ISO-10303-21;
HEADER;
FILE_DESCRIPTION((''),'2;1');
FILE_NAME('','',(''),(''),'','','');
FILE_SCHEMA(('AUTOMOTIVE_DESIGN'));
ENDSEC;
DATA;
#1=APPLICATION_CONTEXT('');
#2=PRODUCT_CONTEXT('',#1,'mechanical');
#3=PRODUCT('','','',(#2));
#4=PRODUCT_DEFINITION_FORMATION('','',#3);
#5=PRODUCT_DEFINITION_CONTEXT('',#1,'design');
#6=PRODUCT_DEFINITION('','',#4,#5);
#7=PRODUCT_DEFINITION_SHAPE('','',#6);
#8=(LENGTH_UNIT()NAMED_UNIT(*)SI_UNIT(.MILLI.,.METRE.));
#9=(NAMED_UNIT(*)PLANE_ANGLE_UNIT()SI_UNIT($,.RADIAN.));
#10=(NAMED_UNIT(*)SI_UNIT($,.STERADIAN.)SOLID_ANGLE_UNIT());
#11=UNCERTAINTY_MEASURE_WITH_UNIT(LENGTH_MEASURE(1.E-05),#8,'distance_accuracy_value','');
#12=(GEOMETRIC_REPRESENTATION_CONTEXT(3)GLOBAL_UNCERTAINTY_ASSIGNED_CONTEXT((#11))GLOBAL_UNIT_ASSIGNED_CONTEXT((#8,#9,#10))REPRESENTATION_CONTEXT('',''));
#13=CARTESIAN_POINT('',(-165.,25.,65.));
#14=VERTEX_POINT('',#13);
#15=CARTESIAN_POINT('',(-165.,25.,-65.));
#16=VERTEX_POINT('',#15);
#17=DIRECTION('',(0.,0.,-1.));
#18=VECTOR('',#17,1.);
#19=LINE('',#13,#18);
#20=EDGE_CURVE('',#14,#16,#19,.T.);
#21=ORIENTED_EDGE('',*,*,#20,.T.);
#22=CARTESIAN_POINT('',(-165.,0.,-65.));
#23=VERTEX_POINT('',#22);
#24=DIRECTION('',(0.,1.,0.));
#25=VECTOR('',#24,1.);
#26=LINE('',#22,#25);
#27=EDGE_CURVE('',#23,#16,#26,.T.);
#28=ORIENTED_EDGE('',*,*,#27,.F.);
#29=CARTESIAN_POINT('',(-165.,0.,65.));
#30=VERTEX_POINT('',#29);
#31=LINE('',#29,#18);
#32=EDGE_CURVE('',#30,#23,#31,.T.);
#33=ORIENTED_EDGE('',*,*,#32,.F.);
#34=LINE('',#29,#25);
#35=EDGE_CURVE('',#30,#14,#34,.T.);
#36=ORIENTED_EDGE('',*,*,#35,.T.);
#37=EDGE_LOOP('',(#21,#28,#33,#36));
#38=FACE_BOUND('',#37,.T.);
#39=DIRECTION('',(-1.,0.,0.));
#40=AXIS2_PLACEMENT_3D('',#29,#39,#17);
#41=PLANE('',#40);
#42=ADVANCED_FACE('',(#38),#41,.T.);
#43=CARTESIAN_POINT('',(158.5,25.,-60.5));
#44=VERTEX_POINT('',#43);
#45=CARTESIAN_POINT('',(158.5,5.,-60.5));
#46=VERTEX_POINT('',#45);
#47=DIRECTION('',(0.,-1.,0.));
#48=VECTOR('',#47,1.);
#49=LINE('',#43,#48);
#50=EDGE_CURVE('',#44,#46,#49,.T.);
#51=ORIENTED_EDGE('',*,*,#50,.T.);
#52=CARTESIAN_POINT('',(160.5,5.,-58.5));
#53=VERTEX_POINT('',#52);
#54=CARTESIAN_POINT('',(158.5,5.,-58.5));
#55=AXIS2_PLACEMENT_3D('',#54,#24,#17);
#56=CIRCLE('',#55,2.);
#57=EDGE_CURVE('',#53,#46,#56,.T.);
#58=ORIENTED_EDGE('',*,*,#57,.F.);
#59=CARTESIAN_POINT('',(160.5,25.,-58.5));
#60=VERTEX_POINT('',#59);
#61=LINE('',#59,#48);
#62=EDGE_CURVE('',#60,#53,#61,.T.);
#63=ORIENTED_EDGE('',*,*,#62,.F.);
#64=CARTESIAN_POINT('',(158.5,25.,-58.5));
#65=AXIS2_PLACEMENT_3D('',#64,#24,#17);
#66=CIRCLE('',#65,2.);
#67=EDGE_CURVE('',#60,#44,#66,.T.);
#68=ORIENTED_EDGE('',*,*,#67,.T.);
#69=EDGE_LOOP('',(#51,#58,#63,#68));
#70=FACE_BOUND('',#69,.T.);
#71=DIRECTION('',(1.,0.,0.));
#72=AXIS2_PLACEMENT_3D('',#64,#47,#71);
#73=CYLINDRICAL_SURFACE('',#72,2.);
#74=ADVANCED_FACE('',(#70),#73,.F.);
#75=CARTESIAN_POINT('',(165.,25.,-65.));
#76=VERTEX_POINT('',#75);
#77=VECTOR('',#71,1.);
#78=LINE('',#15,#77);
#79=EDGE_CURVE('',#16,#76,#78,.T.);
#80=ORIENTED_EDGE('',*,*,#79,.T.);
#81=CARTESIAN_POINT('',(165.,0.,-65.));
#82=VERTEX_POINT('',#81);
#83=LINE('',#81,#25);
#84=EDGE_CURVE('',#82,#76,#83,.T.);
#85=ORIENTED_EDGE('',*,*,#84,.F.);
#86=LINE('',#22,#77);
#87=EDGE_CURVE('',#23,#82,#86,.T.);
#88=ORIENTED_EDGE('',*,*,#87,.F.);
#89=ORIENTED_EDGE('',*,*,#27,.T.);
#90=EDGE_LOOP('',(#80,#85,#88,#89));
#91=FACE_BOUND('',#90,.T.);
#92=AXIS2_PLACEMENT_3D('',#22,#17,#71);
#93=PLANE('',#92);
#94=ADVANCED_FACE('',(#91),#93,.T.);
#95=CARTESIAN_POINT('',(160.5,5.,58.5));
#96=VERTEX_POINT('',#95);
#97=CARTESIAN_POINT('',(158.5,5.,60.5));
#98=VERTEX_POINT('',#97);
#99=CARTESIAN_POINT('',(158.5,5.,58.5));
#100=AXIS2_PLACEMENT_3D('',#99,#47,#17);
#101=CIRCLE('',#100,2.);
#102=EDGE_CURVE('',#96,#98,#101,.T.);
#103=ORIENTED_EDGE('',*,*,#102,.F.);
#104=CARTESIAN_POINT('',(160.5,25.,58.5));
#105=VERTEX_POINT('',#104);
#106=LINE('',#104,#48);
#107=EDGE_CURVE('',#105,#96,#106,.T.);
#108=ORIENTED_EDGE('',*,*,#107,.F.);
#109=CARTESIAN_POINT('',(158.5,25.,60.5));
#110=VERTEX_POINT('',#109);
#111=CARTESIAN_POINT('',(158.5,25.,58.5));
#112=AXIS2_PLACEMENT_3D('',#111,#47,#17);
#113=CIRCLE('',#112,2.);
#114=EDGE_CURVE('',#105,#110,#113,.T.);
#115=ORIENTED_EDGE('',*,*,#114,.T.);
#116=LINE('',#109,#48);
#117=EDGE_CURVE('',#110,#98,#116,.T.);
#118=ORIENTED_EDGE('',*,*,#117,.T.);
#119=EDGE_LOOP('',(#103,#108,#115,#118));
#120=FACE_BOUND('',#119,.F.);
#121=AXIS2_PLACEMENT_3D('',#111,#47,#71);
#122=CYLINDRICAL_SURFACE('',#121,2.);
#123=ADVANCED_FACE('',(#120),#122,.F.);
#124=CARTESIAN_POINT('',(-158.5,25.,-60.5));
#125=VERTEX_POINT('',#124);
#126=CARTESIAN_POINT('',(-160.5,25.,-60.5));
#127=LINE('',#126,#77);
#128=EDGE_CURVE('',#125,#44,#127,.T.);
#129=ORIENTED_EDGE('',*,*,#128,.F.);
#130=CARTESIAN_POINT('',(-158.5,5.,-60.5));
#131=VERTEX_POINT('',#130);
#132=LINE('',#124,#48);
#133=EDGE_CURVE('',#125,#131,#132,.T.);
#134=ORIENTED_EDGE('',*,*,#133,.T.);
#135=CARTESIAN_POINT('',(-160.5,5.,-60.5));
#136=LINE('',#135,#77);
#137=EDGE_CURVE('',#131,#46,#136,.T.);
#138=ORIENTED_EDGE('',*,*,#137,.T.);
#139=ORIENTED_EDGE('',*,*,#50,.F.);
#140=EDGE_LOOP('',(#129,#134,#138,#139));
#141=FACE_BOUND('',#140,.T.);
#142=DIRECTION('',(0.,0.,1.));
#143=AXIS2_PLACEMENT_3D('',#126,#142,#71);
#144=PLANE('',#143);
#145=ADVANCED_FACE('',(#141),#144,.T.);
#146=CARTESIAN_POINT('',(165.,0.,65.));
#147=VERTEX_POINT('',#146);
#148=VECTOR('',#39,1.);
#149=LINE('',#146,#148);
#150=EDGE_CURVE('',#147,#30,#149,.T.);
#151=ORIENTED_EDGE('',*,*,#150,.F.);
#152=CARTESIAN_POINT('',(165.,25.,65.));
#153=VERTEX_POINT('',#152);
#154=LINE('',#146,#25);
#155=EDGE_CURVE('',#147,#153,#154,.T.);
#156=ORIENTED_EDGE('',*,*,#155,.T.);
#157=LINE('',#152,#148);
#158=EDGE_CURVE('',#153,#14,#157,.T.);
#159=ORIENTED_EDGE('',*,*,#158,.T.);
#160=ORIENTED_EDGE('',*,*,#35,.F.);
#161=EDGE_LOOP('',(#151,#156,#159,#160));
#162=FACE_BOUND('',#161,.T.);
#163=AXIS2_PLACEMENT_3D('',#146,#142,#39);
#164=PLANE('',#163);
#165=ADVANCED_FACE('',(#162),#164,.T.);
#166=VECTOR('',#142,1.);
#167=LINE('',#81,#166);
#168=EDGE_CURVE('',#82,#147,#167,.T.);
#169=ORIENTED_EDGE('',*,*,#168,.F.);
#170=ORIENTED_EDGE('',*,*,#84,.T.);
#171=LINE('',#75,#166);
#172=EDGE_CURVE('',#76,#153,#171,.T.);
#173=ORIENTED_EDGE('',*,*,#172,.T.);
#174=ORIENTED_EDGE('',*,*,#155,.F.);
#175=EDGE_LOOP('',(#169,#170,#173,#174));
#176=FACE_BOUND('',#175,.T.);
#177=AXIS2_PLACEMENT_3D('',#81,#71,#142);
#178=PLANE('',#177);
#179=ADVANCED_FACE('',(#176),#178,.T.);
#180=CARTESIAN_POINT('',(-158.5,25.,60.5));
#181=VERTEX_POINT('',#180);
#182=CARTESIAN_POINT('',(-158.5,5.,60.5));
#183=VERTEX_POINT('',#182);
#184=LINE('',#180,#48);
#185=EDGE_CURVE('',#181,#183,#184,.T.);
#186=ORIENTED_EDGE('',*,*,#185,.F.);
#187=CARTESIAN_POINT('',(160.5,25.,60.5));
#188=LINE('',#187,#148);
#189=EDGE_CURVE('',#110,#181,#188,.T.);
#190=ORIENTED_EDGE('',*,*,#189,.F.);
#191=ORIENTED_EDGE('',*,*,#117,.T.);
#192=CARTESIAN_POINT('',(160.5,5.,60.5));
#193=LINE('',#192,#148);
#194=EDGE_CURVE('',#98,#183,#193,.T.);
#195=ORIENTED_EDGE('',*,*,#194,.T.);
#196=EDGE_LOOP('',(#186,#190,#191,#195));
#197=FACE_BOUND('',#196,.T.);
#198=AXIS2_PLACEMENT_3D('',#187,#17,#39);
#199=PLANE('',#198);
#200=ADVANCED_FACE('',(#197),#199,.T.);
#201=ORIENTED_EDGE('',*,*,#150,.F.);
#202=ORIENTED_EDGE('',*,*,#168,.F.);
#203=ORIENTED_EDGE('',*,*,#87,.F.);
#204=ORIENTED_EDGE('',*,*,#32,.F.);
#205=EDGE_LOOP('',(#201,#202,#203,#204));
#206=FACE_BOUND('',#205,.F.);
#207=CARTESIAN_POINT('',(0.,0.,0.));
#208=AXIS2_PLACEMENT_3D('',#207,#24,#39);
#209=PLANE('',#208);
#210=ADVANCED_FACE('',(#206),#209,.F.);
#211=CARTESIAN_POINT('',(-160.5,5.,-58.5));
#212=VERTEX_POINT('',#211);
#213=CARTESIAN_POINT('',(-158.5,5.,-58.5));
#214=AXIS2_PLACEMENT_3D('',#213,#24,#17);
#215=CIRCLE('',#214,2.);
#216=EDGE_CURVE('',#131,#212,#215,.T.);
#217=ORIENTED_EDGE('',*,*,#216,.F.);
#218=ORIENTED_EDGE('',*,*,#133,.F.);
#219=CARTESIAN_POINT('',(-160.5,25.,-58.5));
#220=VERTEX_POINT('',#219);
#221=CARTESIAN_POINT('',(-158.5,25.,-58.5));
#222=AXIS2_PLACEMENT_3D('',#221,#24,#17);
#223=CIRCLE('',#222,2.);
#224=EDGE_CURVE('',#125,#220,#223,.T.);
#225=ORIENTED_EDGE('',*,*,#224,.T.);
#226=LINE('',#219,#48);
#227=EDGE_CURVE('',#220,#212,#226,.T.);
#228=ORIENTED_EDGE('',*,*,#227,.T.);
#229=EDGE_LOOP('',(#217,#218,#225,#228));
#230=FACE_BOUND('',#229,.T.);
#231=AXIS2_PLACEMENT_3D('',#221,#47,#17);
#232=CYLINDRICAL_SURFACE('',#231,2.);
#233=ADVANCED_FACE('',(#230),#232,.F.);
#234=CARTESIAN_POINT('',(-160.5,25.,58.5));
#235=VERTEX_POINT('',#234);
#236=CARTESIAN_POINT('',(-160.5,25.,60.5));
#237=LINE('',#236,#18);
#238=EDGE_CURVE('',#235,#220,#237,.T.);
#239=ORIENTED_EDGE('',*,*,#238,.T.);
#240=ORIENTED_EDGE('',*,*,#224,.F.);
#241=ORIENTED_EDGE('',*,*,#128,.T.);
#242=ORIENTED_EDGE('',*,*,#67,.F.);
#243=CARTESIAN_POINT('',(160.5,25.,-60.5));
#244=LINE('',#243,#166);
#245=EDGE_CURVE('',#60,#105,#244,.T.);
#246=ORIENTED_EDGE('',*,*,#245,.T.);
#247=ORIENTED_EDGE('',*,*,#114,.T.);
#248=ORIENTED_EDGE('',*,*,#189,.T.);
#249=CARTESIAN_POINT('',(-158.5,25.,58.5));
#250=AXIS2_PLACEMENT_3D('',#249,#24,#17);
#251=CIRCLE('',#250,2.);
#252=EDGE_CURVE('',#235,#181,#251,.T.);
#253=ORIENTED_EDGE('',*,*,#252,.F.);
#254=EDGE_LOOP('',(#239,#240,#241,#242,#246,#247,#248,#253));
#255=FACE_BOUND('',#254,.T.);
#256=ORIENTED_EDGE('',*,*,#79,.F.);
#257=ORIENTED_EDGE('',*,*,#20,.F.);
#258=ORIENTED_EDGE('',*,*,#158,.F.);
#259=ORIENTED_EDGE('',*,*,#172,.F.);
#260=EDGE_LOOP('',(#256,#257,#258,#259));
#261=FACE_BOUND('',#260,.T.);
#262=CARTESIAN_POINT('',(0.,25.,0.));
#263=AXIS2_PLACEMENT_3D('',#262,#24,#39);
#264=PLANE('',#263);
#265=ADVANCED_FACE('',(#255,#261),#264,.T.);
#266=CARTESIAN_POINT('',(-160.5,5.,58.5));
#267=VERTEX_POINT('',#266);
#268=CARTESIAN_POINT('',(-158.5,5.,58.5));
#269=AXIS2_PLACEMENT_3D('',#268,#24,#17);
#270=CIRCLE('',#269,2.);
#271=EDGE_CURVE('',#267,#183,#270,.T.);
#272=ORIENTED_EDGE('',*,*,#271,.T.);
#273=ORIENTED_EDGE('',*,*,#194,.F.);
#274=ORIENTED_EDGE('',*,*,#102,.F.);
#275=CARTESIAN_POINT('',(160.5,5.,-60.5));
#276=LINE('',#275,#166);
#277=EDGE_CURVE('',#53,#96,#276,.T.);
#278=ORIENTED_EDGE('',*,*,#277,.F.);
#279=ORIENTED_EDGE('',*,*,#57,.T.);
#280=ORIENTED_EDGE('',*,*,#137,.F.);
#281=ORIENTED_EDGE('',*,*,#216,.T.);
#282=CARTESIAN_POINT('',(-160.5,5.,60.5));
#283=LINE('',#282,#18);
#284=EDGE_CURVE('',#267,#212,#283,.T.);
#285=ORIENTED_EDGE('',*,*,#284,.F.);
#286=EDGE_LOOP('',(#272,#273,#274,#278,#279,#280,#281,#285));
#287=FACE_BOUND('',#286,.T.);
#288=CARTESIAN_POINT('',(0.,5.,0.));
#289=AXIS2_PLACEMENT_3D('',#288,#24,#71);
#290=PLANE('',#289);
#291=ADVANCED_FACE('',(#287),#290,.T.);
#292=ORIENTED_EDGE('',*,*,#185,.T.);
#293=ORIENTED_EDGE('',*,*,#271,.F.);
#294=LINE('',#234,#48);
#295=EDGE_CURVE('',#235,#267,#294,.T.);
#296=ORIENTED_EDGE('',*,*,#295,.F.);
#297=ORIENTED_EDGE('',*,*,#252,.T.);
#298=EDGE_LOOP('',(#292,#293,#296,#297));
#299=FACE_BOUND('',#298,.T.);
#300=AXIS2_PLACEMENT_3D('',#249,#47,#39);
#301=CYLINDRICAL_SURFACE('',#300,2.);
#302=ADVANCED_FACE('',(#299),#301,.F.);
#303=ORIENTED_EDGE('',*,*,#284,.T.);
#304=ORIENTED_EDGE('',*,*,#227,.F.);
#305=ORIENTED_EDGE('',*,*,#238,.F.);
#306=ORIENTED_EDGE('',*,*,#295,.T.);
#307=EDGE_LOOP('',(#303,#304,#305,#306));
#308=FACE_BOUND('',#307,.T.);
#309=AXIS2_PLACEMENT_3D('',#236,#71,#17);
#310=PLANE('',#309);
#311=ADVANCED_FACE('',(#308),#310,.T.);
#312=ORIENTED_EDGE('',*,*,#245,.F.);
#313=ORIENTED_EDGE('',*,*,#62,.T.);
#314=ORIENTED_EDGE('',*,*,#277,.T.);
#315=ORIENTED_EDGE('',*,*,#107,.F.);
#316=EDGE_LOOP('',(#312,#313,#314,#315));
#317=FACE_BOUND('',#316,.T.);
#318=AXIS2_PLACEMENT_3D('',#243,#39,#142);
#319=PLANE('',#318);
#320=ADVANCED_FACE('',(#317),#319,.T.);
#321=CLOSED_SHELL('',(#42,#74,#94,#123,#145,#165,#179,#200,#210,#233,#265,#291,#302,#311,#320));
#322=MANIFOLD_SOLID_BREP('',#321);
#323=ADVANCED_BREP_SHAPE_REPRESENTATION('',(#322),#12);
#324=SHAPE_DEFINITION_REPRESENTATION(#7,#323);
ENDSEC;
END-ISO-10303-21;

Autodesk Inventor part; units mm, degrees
ref_plane "YZ Plane" through (0, 0, 0) normal (1, 0, 0) x (0, 1, 0)
ref_plane "XZ Plane" through (0, 0, 0) normal (0, 1, 0) x (-1, 0, 0)
ref_plane "XY Plane" through (0, 0, 0) normal (0, 0, 1) x (1, 0, 0)
sketch "Sketch1" plane through (0, 0, 0) normal (0, 1, 0) x (-1, 0, 0)
  line L0 (-165, 65) -> (165, 65)
  line L1 (165, 65) -> (165, -65)
  line L2 (165, -65) -> (-165, -65)
  line L3 (-165, -65) -> (-165, 65)
  line L4 (-165, 65) -> (165, -65) construction
  line L5 (165, 65) -> (-165, -65) construction
  point P0 (0, 0)
  dimension "d0" = 330
  dimension "d1" = 130
extrude "Extrusion1" add sketch "Sketch1" along normal blind 25
sketch "Sketch2" plane through (0, 25, 0) normal (0, 1, 0) x (1, 0, 0)
  line L0 (160.5, -60.5) -> (-160.5, -60.5)
  line L1 (-160.5, -60.5) -> (-160.5, 60.5)
  line L2 (-160.5, 60.5) -> (160.5, 60.5)
  line L3 (160.5, 60.5) -> (160.5, -60.5)
  line L4 (160.5, -60.5) -> (-160.5, 60.5) construction
  line L5 (-160.5, -60.5) -> (160.5, 60.5) construction
  point P0 (0, 0)
  dimension "d4" = 321
  dimension "d5" = 121
extrude "Extrusion2" cut sketch "Sketch2" against normal blind 20
fillet "Fillet1" radius 2 4 edges at (-160.5, 15, -60.5) (160.5, 15, -60.5) (-160.5, 15, 60.5) (160.5, 15, 60.5)
properties part number "Shelf V2"
